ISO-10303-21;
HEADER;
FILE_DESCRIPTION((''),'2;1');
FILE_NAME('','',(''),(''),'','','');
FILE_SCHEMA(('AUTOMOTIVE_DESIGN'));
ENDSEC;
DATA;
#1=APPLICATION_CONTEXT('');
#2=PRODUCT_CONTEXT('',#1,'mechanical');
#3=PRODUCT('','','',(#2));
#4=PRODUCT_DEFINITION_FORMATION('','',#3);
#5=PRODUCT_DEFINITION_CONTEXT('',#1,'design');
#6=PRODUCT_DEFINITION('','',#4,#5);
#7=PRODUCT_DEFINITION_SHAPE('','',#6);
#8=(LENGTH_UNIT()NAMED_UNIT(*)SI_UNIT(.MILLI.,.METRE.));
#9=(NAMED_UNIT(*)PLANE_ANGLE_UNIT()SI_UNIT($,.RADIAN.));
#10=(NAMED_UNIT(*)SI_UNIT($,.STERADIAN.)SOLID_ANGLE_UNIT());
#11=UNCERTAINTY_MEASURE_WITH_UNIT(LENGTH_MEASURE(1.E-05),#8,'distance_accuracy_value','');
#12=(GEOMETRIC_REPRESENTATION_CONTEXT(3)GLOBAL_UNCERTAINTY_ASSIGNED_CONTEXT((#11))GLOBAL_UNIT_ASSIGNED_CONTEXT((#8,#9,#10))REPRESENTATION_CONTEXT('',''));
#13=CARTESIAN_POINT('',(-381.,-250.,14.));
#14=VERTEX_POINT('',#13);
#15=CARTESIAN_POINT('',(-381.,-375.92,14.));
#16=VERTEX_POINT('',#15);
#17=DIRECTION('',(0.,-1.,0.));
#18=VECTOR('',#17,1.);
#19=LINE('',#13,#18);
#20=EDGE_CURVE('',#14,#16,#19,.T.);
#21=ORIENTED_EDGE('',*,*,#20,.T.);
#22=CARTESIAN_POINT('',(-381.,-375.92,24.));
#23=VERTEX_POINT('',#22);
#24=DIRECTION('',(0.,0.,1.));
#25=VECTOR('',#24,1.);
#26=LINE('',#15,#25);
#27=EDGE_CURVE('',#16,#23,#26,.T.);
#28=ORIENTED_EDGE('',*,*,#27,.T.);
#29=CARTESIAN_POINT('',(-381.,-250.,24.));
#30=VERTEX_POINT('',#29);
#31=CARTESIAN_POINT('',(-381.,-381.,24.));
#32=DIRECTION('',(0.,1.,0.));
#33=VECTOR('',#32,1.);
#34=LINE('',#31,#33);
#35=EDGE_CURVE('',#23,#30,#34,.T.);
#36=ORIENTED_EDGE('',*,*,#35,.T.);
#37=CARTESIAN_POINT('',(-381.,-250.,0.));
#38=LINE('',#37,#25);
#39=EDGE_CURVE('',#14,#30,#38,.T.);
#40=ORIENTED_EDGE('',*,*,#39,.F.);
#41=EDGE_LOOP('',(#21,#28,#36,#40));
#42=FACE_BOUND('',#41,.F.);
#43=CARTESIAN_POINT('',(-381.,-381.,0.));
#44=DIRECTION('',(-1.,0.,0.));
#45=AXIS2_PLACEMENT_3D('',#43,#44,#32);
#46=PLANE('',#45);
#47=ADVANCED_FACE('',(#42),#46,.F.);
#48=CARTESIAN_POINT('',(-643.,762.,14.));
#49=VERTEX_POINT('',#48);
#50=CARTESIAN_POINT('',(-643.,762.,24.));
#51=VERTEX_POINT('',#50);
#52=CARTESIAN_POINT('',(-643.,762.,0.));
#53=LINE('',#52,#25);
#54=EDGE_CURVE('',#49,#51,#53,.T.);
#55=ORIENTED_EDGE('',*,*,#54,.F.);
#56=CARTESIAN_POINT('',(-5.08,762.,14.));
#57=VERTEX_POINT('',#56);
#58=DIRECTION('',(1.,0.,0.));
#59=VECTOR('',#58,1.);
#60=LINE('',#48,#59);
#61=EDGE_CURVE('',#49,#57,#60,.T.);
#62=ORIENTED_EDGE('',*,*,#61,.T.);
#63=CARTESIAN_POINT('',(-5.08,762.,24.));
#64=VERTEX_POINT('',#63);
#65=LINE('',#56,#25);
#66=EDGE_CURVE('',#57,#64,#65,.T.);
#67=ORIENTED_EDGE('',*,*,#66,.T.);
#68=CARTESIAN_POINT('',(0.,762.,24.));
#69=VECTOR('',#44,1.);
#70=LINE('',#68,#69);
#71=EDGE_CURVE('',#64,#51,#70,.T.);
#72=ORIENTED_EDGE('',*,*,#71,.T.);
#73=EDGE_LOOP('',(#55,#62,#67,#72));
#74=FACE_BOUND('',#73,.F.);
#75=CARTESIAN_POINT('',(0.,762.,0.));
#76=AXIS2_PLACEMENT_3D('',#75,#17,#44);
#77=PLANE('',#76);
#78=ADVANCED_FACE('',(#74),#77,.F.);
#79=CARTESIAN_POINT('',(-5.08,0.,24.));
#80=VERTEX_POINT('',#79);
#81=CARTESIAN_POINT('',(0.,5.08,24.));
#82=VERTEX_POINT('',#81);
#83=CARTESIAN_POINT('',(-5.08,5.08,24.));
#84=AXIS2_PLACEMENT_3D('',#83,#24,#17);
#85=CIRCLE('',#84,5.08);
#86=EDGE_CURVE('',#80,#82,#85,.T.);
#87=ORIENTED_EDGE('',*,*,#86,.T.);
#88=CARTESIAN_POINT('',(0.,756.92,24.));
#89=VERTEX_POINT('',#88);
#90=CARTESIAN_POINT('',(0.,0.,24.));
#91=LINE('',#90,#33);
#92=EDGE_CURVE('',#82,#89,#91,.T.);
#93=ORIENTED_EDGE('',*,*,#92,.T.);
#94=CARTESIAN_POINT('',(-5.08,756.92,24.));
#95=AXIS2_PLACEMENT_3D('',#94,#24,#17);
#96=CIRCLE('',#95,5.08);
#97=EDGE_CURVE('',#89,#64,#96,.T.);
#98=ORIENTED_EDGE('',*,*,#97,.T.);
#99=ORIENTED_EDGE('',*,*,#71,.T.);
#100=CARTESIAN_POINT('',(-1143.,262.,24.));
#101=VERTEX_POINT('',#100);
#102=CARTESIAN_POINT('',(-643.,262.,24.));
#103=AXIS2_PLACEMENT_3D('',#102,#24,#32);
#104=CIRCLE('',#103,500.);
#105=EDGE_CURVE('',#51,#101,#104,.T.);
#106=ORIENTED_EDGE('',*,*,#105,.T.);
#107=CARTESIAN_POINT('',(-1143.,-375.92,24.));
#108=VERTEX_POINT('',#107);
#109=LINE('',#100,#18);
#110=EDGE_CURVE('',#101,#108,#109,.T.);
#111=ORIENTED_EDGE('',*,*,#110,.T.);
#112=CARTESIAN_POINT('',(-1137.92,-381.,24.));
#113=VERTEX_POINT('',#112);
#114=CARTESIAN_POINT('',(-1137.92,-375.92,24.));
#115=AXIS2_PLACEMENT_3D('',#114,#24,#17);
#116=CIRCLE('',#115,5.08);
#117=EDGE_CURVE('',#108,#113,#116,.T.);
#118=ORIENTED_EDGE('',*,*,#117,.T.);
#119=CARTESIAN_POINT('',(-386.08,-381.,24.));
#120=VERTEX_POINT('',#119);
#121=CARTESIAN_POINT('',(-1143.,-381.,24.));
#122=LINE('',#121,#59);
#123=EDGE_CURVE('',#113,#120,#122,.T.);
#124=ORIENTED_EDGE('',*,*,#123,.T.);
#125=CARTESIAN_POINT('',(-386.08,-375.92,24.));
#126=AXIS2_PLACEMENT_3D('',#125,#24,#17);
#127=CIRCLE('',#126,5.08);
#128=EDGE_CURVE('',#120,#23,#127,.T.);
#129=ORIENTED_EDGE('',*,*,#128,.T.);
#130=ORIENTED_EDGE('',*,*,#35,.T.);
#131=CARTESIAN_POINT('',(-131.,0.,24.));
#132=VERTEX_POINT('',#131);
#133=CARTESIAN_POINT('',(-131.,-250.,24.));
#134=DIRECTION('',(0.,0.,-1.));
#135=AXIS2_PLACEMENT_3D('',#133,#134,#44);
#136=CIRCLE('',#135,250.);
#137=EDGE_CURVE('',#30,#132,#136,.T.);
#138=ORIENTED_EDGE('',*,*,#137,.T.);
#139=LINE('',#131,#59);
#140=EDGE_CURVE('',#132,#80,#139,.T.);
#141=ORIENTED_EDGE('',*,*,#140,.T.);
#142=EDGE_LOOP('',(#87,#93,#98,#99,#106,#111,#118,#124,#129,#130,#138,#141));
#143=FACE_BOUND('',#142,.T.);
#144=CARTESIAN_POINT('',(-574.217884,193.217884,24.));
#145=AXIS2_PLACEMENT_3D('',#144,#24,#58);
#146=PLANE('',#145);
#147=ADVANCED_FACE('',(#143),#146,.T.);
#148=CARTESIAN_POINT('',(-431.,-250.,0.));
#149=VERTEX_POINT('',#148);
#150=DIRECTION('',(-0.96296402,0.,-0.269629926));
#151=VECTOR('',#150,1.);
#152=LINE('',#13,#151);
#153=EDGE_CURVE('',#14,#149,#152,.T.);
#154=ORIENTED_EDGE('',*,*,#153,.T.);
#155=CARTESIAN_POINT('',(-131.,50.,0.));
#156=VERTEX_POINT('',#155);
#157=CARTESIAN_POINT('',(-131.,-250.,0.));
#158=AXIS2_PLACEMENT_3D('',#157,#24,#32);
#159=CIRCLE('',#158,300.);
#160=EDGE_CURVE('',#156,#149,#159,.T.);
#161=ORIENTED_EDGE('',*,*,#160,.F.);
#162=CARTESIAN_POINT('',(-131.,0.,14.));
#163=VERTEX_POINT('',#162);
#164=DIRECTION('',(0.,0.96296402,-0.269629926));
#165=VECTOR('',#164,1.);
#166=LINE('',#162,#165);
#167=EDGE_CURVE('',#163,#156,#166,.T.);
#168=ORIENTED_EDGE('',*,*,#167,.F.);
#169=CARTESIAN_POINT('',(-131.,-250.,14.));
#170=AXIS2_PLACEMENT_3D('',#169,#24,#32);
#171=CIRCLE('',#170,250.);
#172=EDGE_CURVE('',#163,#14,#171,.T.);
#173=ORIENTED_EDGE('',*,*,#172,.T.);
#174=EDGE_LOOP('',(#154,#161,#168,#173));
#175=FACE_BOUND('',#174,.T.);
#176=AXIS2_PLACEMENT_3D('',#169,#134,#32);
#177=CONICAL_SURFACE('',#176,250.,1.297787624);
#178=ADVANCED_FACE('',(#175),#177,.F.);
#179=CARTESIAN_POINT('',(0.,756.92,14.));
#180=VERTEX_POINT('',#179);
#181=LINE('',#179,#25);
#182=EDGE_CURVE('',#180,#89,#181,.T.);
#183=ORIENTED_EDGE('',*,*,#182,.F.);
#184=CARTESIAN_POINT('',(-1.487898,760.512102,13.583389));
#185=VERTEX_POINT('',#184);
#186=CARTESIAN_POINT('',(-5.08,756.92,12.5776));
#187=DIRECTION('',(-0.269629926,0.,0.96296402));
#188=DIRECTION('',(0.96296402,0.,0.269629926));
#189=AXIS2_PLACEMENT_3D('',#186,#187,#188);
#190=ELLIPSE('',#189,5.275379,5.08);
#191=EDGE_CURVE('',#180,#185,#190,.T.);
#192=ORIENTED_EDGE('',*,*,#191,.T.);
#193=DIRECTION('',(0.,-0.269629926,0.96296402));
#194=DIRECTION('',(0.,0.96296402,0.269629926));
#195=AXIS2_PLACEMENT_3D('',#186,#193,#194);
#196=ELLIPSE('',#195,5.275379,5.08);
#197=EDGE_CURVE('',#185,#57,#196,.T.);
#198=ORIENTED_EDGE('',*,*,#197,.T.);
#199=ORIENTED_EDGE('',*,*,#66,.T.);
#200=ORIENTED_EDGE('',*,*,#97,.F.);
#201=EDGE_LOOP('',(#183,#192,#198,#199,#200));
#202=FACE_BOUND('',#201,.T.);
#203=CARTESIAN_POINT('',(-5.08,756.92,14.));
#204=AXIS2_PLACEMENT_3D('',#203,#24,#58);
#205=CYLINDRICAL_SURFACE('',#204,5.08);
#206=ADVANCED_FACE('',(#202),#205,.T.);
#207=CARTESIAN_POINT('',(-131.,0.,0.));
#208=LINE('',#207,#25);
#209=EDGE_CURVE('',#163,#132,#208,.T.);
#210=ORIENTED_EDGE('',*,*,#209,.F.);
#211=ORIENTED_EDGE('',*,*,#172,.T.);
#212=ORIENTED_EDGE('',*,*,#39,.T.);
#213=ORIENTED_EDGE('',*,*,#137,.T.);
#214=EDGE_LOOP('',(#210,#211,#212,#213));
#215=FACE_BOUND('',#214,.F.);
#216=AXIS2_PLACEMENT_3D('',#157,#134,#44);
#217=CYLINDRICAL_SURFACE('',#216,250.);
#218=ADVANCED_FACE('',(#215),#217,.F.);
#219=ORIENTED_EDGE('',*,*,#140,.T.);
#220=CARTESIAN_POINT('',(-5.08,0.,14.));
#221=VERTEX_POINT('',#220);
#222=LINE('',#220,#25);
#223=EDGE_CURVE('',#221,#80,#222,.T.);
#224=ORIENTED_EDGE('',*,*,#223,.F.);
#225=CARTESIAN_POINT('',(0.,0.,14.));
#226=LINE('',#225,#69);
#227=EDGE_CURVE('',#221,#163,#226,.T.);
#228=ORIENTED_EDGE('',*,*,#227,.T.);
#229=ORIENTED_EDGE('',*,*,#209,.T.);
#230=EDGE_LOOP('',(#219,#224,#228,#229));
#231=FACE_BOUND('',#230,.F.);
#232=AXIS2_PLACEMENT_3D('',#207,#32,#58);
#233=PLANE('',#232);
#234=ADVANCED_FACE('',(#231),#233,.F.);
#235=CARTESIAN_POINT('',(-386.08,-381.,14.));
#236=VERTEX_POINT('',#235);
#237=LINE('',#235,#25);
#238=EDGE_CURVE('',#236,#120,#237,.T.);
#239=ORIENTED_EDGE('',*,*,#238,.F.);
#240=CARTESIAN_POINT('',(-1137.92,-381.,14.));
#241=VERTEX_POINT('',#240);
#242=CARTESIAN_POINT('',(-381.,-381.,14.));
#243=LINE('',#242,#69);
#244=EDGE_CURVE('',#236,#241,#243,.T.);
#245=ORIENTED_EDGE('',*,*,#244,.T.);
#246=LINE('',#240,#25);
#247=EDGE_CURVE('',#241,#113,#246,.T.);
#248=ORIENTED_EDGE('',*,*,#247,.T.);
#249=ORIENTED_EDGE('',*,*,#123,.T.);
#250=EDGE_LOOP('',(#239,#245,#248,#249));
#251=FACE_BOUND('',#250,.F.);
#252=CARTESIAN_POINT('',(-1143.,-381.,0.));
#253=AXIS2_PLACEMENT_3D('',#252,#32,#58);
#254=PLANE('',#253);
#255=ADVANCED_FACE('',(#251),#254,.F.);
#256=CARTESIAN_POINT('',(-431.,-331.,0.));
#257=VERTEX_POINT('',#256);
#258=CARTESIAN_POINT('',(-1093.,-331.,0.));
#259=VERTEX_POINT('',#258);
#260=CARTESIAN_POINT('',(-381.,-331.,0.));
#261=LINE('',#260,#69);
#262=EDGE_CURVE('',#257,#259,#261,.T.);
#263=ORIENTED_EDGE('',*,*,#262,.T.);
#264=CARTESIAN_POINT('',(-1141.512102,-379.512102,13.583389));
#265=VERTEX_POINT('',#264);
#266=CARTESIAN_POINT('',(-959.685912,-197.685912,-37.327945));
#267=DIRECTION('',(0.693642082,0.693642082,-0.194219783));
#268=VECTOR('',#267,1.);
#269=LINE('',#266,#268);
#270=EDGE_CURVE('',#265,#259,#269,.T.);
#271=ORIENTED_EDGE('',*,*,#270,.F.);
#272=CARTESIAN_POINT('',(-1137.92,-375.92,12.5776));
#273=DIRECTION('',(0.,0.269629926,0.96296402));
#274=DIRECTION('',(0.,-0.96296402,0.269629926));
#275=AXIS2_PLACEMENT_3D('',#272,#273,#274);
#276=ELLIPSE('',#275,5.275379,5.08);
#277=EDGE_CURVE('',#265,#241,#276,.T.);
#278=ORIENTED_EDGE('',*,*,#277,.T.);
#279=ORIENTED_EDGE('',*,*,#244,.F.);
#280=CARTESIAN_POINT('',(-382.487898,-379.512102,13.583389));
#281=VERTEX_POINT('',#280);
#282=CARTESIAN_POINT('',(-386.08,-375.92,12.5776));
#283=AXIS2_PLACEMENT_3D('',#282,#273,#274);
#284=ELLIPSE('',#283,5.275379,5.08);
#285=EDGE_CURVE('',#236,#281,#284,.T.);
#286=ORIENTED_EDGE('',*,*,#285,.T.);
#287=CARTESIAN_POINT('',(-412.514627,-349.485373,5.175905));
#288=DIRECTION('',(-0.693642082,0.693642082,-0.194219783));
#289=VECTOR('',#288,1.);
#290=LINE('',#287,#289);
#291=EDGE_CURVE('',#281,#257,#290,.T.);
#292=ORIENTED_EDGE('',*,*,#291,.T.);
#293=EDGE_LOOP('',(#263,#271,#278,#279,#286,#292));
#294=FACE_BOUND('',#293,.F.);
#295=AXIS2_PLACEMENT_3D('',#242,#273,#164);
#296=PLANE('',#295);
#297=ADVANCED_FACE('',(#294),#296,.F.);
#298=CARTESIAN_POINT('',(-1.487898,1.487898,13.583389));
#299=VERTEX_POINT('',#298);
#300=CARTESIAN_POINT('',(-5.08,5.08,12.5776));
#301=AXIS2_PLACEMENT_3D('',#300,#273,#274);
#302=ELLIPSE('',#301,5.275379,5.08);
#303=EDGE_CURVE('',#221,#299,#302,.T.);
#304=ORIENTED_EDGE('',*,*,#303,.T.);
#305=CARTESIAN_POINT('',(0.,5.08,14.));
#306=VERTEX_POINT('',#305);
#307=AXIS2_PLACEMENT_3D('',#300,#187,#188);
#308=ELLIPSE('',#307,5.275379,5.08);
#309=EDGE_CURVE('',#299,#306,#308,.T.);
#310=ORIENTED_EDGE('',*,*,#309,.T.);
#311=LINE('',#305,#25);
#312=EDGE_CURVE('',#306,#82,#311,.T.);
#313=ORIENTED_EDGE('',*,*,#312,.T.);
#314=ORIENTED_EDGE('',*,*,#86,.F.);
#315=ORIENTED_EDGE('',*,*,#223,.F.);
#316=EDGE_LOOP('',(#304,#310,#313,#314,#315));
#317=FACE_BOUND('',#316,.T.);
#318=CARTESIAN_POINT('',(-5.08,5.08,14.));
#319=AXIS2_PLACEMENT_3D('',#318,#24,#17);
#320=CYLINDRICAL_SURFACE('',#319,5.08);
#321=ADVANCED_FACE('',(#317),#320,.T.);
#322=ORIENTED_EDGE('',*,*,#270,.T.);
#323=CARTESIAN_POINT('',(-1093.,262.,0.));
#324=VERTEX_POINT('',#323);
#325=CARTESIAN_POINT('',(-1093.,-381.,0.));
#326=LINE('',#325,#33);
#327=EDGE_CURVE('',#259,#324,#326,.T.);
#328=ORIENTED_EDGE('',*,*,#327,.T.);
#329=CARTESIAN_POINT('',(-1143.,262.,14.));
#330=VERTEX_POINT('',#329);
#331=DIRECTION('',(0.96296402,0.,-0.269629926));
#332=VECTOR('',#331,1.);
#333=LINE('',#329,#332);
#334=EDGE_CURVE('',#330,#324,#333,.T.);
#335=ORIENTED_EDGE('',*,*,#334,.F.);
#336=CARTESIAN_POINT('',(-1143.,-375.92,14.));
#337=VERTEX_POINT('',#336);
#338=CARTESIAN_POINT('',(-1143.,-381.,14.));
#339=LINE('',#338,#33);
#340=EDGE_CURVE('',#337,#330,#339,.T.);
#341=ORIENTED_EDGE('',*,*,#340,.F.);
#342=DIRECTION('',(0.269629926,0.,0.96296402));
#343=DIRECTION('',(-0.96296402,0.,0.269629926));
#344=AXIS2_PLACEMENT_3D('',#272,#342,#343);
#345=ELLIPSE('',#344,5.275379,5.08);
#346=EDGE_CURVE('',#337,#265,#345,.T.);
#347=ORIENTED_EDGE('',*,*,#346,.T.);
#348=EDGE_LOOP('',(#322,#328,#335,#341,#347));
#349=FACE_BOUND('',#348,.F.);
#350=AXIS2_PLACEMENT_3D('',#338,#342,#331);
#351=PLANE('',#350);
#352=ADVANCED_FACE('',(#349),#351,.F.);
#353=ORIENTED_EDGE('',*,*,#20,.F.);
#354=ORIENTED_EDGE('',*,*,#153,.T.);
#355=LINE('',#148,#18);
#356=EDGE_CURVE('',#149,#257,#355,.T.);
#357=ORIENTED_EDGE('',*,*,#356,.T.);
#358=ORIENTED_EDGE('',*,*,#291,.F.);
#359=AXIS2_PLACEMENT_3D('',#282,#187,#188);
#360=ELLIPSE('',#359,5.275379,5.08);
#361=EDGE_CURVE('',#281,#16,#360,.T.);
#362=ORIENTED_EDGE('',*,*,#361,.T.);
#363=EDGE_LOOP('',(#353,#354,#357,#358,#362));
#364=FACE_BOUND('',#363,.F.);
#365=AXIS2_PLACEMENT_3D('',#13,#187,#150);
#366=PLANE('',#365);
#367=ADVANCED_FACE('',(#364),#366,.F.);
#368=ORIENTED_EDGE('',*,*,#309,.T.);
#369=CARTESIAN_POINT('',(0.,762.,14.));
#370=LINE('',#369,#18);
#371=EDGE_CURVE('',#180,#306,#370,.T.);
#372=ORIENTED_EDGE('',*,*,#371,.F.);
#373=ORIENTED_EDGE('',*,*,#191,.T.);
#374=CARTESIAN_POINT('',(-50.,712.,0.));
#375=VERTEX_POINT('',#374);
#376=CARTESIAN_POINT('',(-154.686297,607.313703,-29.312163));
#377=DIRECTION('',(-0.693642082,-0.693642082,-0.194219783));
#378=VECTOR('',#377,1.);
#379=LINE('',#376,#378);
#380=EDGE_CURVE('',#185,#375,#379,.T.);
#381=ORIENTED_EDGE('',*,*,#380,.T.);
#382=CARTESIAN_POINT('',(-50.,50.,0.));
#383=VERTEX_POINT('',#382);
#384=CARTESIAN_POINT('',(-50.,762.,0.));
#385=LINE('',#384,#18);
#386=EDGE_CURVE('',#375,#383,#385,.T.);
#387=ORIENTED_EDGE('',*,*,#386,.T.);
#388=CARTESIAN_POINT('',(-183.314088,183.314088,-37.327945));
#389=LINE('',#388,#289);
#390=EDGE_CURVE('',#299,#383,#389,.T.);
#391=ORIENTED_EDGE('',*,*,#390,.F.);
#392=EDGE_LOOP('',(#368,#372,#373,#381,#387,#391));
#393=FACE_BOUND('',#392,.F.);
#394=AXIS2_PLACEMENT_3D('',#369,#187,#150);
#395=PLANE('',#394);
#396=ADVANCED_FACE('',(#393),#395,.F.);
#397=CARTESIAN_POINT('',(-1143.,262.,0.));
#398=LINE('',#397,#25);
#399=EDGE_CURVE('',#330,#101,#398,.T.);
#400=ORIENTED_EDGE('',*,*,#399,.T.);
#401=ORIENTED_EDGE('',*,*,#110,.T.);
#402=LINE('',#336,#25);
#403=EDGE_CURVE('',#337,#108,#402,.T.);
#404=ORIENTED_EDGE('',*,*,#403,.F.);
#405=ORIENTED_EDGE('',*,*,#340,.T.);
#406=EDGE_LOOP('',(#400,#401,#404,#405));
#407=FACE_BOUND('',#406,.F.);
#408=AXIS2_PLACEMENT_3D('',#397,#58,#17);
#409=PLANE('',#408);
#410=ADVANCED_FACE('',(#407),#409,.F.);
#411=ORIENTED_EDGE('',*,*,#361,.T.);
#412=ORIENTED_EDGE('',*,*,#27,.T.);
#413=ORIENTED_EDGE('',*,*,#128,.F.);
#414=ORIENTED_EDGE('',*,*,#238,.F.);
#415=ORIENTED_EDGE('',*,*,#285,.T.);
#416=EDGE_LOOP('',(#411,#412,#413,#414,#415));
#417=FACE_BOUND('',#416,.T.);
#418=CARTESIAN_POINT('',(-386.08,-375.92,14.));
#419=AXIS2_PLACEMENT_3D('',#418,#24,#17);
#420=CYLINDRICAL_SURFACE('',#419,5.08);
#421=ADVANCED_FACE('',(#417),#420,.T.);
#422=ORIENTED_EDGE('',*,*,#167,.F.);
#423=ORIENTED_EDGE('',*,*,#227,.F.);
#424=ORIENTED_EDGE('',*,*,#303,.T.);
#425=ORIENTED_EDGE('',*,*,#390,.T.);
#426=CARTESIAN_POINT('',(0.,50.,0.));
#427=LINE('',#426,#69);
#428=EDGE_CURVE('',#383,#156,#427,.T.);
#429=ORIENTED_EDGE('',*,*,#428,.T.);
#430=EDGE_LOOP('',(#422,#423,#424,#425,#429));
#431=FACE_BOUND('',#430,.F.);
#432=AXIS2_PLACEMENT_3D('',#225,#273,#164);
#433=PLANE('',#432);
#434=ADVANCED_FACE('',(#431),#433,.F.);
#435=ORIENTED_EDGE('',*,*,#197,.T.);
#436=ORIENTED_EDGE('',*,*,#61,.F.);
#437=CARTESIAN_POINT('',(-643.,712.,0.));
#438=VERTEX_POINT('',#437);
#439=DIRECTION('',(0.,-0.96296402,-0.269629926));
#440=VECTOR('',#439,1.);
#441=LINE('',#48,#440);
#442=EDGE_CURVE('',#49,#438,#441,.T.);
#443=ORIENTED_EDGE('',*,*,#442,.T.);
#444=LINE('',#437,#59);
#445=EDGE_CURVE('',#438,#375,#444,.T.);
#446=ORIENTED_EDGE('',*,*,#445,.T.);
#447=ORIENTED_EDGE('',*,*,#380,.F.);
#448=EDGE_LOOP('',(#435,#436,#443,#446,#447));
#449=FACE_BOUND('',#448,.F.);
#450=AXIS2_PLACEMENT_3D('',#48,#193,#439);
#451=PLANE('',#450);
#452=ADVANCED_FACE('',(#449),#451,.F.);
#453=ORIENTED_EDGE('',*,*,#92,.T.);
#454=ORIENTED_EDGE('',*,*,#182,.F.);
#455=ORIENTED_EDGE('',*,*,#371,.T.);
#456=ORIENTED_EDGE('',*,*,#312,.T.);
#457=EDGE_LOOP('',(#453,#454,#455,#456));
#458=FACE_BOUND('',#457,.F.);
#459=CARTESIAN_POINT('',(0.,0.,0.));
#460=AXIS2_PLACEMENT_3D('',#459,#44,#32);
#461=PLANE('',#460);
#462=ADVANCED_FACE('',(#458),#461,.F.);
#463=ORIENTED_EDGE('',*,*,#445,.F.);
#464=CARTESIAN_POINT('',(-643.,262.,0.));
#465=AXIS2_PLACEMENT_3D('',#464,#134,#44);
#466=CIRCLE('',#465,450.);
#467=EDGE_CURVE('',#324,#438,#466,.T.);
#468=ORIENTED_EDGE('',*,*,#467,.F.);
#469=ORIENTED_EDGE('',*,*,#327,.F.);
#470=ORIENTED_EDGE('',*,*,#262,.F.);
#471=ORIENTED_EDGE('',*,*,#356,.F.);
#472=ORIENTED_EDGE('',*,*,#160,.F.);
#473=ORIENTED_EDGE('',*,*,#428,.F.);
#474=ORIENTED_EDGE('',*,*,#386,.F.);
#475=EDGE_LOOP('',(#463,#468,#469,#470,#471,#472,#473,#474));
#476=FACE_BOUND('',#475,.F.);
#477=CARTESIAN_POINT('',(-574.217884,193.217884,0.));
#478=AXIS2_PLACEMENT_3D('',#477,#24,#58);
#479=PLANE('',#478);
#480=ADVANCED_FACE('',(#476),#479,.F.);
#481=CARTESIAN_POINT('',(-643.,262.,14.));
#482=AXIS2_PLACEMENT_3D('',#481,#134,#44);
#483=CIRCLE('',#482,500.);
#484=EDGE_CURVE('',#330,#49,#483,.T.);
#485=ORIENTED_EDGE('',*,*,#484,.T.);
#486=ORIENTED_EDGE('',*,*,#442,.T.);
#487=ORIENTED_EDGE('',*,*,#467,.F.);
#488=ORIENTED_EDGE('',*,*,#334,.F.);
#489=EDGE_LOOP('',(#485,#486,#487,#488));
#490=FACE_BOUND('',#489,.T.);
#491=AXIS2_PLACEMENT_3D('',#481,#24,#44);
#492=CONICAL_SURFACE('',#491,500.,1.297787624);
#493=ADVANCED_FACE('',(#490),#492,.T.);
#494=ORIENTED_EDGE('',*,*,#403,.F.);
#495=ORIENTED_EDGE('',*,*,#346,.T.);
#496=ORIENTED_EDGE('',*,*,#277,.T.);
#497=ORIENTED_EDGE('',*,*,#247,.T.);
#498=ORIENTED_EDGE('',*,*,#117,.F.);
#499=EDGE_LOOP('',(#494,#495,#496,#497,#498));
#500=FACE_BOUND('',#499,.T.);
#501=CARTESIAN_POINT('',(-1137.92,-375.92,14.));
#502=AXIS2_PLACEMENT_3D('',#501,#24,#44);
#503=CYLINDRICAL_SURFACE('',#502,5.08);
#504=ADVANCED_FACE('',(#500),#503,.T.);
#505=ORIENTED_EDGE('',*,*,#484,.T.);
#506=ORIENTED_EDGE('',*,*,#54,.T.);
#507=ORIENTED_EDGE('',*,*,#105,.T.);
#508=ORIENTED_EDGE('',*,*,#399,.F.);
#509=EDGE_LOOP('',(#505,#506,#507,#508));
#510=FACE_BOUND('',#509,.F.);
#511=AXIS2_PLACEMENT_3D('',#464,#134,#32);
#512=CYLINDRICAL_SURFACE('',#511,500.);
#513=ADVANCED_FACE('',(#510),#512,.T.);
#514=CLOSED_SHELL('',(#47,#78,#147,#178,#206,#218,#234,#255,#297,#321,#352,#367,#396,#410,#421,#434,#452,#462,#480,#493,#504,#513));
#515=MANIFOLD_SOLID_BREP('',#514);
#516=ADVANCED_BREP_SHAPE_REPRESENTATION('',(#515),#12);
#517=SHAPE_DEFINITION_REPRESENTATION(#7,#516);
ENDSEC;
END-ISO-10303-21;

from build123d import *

# Parameters (mm, degrees)
F1_DEPTH = 24
F5_R     = 5.08


with BuildPart() as f1:
    # F0 (on Top) → F1 (new body)
    with BuildSketch(Plane.XY):
        with BuildLine():
            Line((-131, 0), (0, 0))
            Line((0, 0), (0, 762))
            Line((0, 762), (-643, 762))
            ThreePointArc((-643, 762), (-996.5533905933, 615.5533905933), (-1143, 262))
            Line((-1143, 262), (-1143, -381))
            Line((-1143, -381), (-381, -381))
            Line((-381, -381), (-381, -250))
            ThreePointArc((-381, -250), (-307.7766952966, -73.2233047034), (-131, 0))
        make_face()
    extrude(amount=F1_DEPTH)

    # F4: sweep along a path in F3
    with BuildLine(Plane(origin=(0, 0, 0), x_dir=(1, 0, 0), z_dir=(0, 0, -1))) as f4_path:
        Line((-381, 381), (-1143, 381))
        Line((-1143, 381), (-1143, -262))
        ThreePointArc((-1143, -262), (-996.5533905933, -615.5533905933), (-643, -762))
        Line((-643, -762), (0, -762))
        Line((0, -762), (0, 0))
        Line((0, 0), (-131, 0))
        ThreePointArc((-131, 0), (-307.7766952966, 73.2233047034), (-381, 250))
        Line((-381, 250), (-381, 381))
    # F2 (on face) → F4 (sweep, cut)
    with BuildSketch(Plane.YZ):
        Polygon((762, 0), (762, 14), (712, 0), align=None)
    sweep(path=f4_path.line, transition=Transition.RIGHT, mode=Mode.SUBTRACT)

    # F5
    f5_edges = [f1.edges().sort_by_distance(p)[0] for p in [
        (0, 762, 19),
        (0, 0, 19),
        (-381, -381, 19),
        (-1143, -381, 19),
    ]]
    fillet(f5_edges, radius=F5_R)


solid = f1.part
